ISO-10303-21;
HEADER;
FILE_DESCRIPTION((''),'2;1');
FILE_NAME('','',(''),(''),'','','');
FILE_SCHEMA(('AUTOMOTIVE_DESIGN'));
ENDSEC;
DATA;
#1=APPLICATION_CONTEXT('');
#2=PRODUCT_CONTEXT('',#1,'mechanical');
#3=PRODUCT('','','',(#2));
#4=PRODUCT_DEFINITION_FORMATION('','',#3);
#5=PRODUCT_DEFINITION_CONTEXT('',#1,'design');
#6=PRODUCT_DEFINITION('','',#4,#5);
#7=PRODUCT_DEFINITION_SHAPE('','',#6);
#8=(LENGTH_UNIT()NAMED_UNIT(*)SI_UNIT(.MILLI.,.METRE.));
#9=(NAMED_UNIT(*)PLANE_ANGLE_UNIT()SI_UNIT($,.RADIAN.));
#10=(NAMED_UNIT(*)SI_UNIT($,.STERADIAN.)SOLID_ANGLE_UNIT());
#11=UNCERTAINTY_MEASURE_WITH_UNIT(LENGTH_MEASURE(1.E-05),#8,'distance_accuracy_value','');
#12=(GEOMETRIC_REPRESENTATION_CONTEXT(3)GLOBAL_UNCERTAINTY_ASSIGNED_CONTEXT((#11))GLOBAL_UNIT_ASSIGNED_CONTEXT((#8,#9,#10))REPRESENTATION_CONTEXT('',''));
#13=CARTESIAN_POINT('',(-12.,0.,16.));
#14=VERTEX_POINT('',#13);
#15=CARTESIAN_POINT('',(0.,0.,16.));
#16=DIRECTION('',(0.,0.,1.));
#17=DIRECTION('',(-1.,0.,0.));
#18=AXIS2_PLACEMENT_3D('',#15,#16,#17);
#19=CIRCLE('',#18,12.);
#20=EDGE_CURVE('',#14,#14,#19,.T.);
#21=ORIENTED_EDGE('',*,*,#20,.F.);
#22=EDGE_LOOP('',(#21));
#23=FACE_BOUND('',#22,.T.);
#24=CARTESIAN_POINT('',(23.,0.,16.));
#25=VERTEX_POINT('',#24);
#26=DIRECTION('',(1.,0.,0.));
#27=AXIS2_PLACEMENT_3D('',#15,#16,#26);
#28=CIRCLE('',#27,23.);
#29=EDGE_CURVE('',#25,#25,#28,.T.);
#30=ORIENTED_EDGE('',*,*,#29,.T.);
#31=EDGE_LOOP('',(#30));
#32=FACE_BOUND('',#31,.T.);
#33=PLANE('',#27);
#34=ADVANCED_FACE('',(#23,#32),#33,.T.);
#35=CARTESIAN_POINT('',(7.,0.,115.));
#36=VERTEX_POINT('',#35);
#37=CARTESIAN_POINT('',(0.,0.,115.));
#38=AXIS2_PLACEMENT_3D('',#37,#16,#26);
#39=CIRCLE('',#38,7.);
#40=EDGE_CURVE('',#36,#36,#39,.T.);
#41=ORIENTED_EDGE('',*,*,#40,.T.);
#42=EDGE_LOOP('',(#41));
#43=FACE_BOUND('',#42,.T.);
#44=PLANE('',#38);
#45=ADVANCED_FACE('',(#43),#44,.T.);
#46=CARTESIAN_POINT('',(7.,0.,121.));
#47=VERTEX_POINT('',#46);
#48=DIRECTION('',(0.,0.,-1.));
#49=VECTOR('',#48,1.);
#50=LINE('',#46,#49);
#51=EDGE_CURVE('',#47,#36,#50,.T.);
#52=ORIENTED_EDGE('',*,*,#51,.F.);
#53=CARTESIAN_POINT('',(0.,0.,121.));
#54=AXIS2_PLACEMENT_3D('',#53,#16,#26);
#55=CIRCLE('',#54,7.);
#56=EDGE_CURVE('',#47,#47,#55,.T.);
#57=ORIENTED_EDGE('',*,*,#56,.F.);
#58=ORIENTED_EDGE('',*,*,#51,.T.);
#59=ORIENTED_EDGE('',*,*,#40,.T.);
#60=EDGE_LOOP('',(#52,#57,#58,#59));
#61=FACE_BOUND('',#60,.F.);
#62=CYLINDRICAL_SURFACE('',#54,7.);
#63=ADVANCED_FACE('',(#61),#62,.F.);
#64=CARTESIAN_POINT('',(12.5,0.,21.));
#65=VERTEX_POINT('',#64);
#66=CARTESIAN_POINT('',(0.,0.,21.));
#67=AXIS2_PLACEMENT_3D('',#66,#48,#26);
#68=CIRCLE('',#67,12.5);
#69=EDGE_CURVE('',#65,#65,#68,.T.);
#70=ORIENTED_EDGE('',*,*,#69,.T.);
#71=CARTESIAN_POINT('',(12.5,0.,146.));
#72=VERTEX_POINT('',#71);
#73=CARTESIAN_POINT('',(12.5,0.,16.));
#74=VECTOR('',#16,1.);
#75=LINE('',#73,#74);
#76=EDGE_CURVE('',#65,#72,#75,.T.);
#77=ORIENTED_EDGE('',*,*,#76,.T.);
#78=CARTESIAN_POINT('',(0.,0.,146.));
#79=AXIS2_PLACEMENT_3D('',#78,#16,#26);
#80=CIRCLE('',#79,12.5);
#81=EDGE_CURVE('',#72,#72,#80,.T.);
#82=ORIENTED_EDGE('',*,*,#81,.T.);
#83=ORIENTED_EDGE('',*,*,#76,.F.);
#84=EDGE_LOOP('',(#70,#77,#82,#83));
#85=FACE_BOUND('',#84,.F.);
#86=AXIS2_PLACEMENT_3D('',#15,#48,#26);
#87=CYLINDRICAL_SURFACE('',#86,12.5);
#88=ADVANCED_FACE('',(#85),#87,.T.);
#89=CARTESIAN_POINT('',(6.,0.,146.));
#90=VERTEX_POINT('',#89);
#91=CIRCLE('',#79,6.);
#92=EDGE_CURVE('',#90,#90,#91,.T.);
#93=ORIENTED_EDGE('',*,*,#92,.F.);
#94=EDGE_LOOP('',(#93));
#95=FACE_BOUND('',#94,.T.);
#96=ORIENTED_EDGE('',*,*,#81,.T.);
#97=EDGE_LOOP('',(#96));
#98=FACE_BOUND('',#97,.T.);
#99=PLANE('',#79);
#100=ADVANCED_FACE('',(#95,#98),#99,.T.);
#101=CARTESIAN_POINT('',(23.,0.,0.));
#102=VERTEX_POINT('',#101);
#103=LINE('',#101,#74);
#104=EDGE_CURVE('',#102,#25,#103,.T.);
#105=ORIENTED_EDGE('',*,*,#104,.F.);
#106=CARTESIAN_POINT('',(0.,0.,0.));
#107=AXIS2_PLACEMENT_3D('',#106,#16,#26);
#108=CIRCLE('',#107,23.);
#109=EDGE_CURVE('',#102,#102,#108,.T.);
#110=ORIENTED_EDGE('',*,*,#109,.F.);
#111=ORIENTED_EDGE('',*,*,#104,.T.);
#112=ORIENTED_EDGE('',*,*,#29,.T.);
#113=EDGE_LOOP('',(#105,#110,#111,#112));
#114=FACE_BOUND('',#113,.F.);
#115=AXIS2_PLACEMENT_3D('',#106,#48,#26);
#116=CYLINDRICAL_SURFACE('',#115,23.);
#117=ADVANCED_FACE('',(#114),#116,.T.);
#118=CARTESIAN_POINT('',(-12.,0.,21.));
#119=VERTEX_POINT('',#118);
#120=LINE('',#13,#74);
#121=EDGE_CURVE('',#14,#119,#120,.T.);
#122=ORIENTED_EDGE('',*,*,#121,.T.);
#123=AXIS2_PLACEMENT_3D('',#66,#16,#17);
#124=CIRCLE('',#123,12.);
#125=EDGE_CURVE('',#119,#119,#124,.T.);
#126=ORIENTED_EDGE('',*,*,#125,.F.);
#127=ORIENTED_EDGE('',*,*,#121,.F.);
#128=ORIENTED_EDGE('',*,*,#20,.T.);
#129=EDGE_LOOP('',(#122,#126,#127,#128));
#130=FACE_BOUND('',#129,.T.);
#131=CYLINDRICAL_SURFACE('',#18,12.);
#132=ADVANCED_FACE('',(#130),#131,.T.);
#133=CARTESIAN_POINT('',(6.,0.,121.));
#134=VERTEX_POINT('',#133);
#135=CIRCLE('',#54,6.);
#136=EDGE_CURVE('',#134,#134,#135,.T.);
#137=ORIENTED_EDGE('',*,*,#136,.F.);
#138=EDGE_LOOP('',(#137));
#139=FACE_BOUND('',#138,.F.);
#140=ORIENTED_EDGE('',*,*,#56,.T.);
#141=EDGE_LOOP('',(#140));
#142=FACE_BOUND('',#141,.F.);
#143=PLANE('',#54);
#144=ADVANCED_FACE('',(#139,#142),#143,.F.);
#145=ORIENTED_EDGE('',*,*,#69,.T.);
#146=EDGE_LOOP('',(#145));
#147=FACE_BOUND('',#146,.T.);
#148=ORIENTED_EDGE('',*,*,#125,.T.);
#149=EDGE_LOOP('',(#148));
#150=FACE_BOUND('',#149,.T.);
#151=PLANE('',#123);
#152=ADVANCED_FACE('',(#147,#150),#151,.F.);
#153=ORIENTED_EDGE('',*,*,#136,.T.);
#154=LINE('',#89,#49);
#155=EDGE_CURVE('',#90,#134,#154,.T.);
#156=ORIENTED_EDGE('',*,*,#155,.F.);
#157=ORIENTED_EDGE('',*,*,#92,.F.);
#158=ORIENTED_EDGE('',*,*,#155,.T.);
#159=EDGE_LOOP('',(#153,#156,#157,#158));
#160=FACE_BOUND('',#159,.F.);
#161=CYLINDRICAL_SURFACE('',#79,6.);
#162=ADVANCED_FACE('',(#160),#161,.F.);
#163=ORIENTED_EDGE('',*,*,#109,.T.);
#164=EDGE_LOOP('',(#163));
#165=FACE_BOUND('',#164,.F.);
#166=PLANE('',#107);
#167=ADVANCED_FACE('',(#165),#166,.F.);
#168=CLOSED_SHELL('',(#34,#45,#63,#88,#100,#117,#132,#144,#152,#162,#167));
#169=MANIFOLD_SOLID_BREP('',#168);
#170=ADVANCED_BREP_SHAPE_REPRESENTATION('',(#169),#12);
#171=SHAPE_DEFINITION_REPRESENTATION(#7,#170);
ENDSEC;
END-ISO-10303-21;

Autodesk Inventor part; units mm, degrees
ref_plane "YZ Plane" through (0, 0, 0) normal (1, 0, 0) x (0, 1, 0)
ref_plane "XZ Plane" through (0, 0, 0) normal (0, 1, 0) x (-1, 0, 0)
ref_plane "XY Plane" through (0, 0, 0) normal (0, 0, 1) x (1, 0, 0)
sketch "Sketch1" plane through (0, 0, 0) normal (0, 0, 1) x (1, 0, 0)
  circle A0 centre (0, 0) radius 23
  dimension "d0" = 46
extrude "Extrusion1" add sketch "Sketch1" along normal blind 16
sketch "Sketch2" plane through (0, 0, 16) normal (0, 0, 1) x (1, 0, 0)
  circle A0 centre (0, 0) radius 12.5
  dimension "d3" = 25
extrude "Extrusion2" add sketch "Sketch2" along normal blind 130
sketch "Sketch3" plane through (0, 0, 146) normal (0, 0, 1) x (1, 0, 0)
  circle A0 centre (0, 0) radius 6
  dimension "d6" = 12
extrude "Extrusion3" cut sketch "Sketch3" against normal blind 25
sketch "Sketch4" plane through (0, 0, 121) normal (0, 0, 1) x (1, 0, 0)
  circle A0 centre (0, 0) radius 12.5 projected
  circle A1 centre (0, 0) radius 7
  dimension "d9" = 14
extrude "Extrusion4" cut sketch "Sketch4" against normal blind 6 contours A1
sketch "Sketch5" plane through (0, 0, 0) normal (0, 1, 0) x (-1, 0, 0)
  line L0 (12.5, 16) -> (12.5, 146) projected
  line L1 (12.5, 16) -> (12, 16)
  line L2 (12, 16) -> (12, 21)
  line L3 (12, 21) -> (12.5, 21)
  line L4 (12.5, 21) -> (12.5, 16)
  line L5 (23, 16) -> (-23, 16) projected
  line L6 (0, -4.7692) -> (0, 158.9515) construction
  point P0 (0, 0)
  dimension "d12" = 0.5
  dimension "d13" = 5
  dimension "d14" = 0
revolve "Revolution1" cut sketch "Sketch5" angle 360 about axis through (0, 0, -4.7692) along (0, 0, 1)
properties part number "Pino do Amassador"
